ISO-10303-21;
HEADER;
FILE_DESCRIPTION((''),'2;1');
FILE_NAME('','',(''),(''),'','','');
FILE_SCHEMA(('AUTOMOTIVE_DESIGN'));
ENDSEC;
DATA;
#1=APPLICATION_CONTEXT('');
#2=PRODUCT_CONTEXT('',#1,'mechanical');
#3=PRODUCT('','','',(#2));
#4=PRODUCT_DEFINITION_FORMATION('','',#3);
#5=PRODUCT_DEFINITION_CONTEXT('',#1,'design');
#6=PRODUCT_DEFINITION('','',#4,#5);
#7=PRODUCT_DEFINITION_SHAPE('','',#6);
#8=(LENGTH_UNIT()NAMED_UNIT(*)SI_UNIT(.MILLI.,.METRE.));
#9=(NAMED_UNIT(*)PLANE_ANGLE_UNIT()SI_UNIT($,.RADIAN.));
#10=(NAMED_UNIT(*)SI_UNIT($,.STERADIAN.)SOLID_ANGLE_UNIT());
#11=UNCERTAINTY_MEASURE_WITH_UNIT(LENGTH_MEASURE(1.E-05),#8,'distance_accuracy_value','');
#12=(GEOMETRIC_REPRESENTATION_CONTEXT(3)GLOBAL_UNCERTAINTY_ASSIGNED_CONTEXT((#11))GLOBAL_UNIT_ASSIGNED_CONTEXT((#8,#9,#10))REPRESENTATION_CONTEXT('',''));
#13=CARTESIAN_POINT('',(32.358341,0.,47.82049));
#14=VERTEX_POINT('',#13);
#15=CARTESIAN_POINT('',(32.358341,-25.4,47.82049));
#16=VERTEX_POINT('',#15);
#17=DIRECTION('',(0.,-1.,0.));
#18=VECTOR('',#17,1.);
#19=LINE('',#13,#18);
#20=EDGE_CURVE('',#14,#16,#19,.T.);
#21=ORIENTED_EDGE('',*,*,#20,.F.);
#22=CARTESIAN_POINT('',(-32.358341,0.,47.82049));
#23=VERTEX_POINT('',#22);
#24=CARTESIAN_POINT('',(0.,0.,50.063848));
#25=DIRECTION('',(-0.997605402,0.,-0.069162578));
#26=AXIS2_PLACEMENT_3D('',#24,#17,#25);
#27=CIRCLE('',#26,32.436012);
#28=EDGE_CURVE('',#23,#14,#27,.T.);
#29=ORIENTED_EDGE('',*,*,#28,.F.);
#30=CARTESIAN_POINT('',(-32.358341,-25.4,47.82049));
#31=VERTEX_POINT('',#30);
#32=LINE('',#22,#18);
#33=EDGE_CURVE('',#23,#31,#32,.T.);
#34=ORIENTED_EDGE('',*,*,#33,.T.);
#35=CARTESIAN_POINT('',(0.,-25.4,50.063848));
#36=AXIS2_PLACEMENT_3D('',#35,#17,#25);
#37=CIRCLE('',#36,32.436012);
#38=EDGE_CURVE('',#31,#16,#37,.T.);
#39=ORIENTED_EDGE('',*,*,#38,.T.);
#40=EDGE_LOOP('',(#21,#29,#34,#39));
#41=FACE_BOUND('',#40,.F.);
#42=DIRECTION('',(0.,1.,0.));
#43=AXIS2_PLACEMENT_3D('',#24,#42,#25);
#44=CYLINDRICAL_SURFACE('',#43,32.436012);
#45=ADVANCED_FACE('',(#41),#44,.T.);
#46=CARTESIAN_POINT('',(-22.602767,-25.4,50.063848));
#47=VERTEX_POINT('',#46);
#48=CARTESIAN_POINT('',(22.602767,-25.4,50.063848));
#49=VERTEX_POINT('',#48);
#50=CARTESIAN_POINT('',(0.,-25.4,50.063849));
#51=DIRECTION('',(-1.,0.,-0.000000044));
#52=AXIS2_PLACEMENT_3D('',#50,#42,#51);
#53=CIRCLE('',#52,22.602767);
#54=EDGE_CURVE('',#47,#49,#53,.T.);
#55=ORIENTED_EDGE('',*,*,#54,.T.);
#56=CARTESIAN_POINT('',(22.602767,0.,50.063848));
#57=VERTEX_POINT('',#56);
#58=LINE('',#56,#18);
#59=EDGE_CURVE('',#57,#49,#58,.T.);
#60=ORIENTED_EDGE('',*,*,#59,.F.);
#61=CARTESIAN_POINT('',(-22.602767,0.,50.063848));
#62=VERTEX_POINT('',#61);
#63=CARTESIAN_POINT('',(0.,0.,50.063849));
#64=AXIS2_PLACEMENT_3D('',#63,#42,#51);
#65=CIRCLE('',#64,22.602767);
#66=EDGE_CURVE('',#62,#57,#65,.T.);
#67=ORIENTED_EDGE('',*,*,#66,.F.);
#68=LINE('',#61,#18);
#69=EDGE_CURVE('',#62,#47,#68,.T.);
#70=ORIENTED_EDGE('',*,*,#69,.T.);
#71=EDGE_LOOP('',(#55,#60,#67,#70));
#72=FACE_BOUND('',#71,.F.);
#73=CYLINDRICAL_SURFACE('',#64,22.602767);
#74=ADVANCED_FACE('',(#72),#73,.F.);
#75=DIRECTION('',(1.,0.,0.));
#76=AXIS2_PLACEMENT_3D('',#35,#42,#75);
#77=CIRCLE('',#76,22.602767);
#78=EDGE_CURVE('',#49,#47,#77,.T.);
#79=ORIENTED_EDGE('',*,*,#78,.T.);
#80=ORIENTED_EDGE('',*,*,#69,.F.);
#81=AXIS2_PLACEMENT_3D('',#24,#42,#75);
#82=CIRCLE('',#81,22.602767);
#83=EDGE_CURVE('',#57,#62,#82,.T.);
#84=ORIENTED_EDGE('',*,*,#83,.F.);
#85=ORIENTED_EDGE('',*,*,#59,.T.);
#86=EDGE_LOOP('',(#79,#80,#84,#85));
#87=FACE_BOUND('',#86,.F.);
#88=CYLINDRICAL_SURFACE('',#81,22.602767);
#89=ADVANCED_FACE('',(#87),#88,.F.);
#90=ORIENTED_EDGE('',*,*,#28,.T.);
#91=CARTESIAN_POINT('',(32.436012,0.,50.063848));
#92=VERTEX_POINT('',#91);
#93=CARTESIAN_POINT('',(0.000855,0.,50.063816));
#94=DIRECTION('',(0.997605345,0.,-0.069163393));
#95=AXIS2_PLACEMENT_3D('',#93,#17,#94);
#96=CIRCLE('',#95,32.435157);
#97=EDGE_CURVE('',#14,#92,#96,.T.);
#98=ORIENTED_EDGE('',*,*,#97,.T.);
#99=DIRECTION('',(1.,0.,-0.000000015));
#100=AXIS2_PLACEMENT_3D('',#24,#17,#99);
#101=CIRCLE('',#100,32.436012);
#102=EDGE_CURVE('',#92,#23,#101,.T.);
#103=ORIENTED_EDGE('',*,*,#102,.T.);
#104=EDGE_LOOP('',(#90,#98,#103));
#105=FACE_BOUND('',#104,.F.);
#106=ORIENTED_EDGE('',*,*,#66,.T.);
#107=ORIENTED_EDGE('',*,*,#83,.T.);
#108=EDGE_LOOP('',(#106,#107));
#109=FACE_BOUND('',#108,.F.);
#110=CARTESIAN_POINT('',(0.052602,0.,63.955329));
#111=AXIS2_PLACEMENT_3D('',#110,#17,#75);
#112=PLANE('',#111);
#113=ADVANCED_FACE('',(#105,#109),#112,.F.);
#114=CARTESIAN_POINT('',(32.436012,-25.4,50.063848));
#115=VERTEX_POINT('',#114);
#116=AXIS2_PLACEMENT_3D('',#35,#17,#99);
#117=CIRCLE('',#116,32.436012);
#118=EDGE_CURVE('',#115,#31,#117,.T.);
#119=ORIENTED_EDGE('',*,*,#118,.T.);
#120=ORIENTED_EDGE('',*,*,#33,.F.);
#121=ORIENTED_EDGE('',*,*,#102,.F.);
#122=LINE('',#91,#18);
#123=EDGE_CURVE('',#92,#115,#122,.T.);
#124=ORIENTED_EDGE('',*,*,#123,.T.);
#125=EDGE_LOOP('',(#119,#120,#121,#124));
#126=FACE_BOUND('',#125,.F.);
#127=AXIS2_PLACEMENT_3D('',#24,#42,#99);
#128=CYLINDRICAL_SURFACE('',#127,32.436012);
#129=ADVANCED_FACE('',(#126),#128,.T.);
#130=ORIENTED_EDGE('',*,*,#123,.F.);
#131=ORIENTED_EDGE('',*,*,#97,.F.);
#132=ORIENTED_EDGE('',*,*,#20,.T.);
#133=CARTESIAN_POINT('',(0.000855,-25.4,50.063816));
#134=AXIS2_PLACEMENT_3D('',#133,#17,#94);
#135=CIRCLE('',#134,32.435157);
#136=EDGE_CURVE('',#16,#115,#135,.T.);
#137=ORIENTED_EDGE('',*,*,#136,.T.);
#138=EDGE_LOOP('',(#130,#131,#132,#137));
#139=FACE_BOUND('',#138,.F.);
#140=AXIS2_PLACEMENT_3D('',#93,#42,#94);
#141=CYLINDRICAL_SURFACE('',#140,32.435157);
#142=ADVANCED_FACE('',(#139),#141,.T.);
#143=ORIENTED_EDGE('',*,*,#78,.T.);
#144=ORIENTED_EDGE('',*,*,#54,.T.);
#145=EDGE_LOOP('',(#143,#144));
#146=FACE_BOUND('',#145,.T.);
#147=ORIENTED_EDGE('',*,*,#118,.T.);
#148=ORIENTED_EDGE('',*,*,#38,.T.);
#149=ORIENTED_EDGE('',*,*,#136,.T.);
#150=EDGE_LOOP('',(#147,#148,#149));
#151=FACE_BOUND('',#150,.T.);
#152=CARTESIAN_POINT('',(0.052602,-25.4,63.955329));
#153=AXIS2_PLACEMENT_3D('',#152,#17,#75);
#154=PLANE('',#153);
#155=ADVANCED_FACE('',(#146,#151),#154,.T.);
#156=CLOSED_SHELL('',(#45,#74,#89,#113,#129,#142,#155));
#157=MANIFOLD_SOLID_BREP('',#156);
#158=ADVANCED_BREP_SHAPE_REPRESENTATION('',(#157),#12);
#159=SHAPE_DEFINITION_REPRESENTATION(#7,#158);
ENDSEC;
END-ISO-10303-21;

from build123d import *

# Parameters (mm, degrees)
F1_DEPTH = 25.4


with BuildPart() as f1:
    # F0 (on Front) → F1 (new body)
    with BuildSketch(Plane.XZ):
        with BuildLine():
            Line((32.358341, 50.063848), (32.358341, 47.82049))
            ThreePointArc((32.358341, 47.82049), (32.416589, 48.941497), (32.436012, 50.063848))
            ThreePointArc((32.436012, 50.063848), (-1.122351, 82.480437), (-32.358341, 47.82049))
            Line((-32.358341, 47.82049), (-32.358341, 50.063848))
            Line((-32.358341, 50.063848), (-22.602767, 50.063848))
            ThreePointArc((-22.602767, 50.063848), (0, 72.666616), (22.602767, 50.063848))
            Line((22.602767, 50.063848), (32.358341, 50.063848))
        make_face()
        with BuildLine():
            ThreePointArc((-32.358341, 47.82049), (0, 17.627836), (32.358341, 47.82049))
            Line((32.358341, 47.82049), (32.358341, 50.063848))
            Line((32.358341, 50.063848), (22.602767, 50.063848))
            ThreePointArc((22.602767, 50.063848), (0, 27.461081), (-22.602767, 50.063848))
            Line((-22.602767, 50.063848), (-32.358341, 50.063848))
            Line((-32.358341, 50.063848), (-32.358341, 47.82049))
        make_face()
    extrude(amount=F1_DEPTH)


solid = f1.part
